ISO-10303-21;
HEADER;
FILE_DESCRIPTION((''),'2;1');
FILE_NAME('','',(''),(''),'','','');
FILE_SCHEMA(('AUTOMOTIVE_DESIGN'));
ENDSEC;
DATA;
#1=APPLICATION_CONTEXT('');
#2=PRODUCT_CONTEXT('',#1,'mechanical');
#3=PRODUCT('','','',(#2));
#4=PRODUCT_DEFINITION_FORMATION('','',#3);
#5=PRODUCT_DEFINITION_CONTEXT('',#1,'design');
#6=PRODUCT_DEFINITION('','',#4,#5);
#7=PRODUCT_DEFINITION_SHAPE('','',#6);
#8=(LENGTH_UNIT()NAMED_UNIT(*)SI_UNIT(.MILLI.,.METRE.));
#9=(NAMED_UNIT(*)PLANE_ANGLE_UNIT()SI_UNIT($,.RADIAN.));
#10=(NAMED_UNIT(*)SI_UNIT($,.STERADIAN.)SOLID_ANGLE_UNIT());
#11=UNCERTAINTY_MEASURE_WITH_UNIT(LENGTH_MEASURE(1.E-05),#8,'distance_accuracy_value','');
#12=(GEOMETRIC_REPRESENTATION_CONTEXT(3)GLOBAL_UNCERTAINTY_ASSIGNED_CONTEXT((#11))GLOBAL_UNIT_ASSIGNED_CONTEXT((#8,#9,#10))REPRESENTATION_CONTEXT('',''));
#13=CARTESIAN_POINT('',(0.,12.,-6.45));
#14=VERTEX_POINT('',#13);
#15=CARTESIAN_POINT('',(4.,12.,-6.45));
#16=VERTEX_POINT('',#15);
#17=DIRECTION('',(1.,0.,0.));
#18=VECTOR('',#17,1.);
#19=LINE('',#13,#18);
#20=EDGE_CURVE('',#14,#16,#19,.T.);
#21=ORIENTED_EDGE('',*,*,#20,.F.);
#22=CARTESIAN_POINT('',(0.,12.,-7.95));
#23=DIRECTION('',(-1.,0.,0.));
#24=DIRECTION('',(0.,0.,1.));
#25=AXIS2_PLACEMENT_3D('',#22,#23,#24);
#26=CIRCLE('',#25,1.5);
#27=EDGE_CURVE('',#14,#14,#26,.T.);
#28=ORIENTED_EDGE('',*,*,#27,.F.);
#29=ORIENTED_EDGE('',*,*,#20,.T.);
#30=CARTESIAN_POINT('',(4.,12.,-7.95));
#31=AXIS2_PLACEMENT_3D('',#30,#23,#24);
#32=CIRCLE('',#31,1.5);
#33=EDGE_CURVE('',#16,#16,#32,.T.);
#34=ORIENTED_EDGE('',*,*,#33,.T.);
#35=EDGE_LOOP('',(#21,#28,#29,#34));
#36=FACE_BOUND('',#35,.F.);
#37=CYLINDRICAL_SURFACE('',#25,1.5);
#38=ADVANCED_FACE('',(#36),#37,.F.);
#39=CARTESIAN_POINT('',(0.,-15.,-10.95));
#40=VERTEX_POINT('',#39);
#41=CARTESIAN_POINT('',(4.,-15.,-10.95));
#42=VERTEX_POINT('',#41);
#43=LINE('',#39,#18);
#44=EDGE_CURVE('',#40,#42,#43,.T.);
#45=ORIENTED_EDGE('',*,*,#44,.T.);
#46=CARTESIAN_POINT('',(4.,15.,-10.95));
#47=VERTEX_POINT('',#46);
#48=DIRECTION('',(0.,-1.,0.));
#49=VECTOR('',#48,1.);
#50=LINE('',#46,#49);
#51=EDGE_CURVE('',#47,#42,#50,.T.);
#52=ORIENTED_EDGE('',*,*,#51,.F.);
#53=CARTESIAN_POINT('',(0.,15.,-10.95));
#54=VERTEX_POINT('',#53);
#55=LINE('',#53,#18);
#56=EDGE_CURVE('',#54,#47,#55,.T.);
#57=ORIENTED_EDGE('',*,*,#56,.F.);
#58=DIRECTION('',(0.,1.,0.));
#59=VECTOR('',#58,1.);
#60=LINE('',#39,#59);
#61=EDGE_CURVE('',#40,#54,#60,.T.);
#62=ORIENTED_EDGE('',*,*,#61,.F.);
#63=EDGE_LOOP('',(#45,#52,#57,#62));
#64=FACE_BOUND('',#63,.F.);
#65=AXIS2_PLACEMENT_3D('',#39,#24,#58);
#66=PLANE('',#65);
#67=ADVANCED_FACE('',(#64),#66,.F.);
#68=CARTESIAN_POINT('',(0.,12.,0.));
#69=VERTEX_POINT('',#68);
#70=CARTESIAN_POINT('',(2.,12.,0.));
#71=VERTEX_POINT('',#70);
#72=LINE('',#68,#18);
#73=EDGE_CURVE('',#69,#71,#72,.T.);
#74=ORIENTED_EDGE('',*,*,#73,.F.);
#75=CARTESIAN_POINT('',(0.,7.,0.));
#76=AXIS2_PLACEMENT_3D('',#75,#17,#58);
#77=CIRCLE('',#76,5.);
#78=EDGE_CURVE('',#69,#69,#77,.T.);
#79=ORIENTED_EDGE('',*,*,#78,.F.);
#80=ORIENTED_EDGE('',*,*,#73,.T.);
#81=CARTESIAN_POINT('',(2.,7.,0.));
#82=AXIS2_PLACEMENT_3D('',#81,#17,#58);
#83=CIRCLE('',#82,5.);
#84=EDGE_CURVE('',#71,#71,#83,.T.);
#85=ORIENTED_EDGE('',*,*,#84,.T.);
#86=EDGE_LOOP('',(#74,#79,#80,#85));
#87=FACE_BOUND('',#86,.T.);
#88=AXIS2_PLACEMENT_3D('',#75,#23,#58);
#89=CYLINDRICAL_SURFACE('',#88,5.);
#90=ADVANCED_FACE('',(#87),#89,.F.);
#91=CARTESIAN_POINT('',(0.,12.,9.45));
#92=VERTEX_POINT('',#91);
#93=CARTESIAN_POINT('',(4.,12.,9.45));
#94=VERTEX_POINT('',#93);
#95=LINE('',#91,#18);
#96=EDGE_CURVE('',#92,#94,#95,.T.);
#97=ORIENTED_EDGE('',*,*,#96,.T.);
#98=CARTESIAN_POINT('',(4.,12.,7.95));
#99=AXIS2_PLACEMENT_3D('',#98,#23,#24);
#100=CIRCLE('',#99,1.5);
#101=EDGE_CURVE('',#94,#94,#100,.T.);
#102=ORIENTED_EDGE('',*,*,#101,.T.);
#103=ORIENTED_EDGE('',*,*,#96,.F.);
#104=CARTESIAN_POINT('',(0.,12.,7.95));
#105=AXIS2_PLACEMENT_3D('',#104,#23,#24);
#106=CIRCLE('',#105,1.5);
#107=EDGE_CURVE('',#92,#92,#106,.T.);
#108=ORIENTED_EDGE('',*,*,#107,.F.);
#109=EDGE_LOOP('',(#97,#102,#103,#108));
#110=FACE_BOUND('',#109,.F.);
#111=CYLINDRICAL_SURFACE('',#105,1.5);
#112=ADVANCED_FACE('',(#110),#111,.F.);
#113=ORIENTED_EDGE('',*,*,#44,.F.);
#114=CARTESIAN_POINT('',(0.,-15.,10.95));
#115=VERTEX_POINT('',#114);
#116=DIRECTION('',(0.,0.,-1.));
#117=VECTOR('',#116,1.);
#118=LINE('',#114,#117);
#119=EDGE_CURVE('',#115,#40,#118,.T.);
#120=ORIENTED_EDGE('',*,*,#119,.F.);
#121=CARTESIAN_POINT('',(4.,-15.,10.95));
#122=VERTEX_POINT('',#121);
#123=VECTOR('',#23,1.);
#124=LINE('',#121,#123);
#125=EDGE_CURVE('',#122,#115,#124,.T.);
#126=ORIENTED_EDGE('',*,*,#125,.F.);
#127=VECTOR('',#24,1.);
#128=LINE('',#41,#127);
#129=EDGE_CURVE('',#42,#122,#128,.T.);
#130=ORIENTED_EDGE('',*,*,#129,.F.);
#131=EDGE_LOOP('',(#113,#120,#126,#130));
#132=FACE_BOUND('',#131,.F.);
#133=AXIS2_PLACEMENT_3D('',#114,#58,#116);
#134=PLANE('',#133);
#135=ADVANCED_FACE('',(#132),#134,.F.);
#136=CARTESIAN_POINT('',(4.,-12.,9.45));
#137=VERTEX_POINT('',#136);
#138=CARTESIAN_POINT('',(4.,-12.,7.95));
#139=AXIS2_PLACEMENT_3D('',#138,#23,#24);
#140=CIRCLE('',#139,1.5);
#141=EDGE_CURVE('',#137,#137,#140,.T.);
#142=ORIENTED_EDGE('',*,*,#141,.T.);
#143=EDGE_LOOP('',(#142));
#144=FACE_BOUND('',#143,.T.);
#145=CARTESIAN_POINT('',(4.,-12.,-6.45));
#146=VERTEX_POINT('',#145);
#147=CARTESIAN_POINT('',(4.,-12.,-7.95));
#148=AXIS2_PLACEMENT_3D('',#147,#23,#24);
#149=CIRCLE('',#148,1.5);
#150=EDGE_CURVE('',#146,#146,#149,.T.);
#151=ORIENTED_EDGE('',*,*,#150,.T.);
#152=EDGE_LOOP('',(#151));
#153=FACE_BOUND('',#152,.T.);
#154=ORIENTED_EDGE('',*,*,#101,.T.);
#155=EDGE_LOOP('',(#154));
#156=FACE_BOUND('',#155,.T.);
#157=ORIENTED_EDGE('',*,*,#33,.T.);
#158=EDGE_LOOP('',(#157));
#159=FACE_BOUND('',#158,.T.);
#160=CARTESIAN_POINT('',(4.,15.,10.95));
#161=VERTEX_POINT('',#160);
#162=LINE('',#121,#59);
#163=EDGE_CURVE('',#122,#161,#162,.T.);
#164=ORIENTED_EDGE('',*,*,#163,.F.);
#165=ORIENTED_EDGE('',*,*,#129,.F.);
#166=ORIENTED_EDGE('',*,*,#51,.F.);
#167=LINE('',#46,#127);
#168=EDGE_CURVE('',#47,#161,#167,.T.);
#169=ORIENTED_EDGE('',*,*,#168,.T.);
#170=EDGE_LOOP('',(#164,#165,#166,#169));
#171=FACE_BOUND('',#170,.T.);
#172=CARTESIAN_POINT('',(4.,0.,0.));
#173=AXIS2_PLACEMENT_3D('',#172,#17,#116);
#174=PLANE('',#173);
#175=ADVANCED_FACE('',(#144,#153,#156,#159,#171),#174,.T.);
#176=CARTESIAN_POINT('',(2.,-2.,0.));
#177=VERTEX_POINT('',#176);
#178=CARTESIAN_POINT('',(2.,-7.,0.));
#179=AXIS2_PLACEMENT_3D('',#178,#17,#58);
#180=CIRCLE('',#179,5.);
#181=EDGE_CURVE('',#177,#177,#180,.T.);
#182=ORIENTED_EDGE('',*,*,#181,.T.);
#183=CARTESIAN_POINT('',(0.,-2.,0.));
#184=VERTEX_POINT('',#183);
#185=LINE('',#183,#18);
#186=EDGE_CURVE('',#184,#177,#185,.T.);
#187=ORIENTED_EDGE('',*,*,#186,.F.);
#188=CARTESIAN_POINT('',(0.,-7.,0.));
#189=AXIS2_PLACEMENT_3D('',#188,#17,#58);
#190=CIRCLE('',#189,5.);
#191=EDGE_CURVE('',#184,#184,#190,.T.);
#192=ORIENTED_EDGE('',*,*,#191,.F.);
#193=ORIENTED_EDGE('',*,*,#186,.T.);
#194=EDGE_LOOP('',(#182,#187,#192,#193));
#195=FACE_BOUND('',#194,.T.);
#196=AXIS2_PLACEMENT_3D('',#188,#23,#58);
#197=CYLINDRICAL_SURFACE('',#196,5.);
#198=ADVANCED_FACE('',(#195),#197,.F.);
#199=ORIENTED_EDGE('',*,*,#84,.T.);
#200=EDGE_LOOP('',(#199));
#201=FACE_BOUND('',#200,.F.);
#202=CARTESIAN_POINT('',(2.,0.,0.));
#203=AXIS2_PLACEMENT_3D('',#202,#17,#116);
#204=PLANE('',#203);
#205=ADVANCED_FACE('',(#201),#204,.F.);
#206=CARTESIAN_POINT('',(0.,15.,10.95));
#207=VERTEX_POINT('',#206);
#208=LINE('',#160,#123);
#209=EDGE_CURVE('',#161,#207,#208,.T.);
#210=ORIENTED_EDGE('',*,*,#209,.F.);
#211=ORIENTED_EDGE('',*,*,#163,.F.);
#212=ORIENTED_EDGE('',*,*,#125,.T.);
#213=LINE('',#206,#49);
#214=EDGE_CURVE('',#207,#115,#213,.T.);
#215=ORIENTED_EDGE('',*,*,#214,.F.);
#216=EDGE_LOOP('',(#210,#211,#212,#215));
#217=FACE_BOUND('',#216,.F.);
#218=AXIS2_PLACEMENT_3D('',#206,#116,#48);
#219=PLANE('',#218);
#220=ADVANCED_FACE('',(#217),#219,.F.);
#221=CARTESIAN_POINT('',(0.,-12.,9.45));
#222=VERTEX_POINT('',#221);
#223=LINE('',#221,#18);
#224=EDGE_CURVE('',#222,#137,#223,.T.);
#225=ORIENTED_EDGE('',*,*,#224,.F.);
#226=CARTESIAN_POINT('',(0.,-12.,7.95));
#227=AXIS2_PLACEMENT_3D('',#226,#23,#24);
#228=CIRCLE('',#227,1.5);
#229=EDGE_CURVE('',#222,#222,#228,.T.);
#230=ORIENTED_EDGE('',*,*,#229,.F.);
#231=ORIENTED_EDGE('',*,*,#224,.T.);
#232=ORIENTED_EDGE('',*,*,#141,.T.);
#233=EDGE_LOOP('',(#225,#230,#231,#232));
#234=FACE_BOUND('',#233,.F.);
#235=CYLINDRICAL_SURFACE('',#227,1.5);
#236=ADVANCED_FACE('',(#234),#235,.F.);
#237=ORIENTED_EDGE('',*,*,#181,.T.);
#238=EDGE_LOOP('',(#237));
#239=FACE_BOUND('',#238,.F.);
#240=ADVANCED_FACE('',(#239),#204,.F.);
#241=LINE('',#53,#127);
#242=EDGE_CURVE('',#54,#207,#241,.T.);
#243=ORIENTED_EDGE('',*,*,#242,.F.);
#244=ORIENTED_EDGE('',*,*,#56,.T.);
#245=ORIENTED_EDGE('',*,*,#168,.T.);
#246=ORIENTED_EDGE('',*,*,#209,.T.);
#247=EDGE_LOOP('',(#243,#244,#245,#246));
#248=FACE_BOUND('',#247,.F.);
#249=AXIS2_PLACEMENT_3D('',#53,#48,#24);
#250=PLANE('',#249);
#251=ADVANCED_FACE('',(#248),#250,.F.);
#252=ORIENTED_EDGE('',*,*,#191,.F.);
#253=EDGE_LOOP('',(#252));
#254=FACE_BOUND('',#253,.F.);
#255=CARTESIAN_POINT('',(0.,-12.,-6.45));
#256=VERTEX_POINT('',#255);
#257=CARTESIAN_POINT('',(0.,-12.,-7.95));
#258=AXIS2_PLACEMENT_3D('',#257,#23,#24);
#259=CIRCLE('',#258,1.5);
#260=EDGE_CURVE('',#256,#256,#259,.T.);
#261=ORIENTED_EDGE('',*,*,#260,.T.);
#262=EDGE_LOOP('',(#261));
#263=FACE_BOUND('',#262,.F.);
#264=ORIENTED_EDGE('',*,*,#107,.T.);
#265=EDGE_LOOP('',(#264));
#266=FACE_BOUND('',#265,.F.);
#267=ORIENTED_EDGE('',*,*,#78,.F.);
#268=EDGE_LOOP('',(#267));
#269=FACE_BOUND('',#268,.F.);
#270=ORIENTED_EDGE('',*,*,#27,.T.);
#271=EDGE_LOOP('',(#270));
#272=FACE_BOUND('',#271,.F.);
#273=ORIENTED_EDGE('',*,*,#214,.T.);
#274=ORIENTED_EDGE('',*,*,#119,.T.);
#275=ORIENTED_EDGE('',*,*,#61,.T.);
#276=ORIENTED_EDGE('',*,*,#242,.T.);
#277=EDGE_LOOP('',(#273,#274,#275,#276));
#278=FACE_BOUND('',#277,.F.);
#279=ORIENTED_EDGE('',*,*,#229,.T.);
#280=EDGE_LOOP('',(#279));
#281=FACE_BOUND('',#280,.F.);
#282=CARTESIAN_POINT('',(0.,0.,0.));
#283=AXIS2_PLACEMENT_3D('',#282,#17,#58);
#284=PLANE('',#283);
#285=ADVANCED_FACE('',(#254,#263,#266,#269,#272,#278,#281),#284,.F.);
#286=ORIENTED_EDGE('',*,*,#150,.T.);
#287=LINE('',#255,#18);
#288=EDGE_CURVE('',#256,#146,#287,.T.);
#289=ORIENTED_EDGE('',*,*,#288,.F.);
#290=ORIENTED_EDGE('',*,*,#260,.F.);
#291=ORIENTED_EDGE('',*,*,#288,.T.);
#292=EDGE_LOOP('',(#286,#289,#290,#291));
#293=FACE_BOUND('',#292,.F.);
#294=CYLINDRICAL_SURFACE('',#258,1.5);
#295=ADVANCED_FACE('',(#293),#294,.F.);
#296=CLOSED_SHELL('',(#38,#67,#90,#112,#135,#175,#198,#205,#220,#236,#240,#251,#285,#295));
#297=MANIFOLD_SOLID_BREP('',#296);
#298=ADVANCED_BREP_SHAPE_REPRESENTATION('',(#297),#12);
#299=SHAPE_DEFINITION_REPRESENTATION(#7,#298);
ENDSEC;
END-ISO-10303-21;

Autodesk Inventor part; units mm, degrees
ref_plane "YZ Plane" through (0, 0, 0) normal (1, 0, 0) x (0, 1, 0)
ref_plane "XZ Plane" through (0, 0, 0) normal (0, 1, 0) x (-1, 0, 0)
sketch "Эскиз1" plane through (0, 0, 0) normal (1, 0, 0) x (0, 1, 0)
  line L0 (-15, -10.95) -> (15, -10.95)
  line L1 (15, -10.95) -> (15, 10.95)
  line L2 (15, 10.95) -> (-15, 10.95)
  line L3 (-15, 10.95) -> (-15, -10.95)
  line L4 (-15, -10.95) -> (15, 10.95) construction
  line L5 (15, -10.95) -> (-15, 10.95) construction
  circle A0 centre (7, 0) radius 5
  circle A1 centre (-7, 0) radius 5
  point P0 (0, 0)
  dimension "d0" = 30
  dimension "d1" = 21.9
  dimension "d2" = 10
  dimension "d3" = 10
  dimension "d4" = 8
  dimension "d5" = 14
  dimension "d6" = 8
  dimension "d7" = 0
extrude "Выдавливание1" add sketch "Эскиз1" along normal blind 2
sketch "Эскиз2" plane through (2, 0, 0) normal (1, 0, 0) x (0, 0, -1)
  line L0 (10.95, 15) -> (-10.95, 15) projected
  line L1 (10.95, -15) -> (-10.95, -15)
  line L2 (-10.95, -15) -> (-10.95, 15)
  line L3 (-10.95, 15) -> (10.95, 15)
  line L4 (10.95, 15) -> (10.95, -15)
  line L5 (10.95, -15) -> (-10.95, 15) construction
  line L6 (-10.95, -15) -> (10.95, 15) construction
  point P0 (0, 0)
extrude "Выдавливание2" add sketch "Эскиз2" along normal blind 2
sketch "Эскиз3" plane through (0, 0, 0) normal (-1, 0, 0) x (0, 0, 1)
  circle A0 centre (-7.95, 12) radius 1.5
  line L0 (-10.95, 15) -> (10.95, 15) projected
  line L1 (-10.95, -15) -> (-10.95, 15) projected
  circle A1 centre (-7.95, -12) radius 1.5
  line L2 (10.95, -15) -> (-10.95, -15) projected
  circle A2 centre (7.95, 12) radius 1.5
  line L3 (10.95, 15) -> (10.95, -15) projected
  circle A3 centre (7.95, -12) radius 1.5
  point P0 (0, 0)
  dimension "d12" = 3
  dimension "d13" = 3
  dimension "d14" = 3
  dimension "d15" = 3
  dimension "d16" = 3
  dimension "d17" = 3
  dimension "d18" = 3
  dimension "d19" = 3
  dimension "d20" = 3
extrude "Выдавливание3" cut sketch "Эскиз3" against normal up to surface (4 mm away) contours A0 | A1 | A2 | A3
properties part number "держатель магнитов на основе"
